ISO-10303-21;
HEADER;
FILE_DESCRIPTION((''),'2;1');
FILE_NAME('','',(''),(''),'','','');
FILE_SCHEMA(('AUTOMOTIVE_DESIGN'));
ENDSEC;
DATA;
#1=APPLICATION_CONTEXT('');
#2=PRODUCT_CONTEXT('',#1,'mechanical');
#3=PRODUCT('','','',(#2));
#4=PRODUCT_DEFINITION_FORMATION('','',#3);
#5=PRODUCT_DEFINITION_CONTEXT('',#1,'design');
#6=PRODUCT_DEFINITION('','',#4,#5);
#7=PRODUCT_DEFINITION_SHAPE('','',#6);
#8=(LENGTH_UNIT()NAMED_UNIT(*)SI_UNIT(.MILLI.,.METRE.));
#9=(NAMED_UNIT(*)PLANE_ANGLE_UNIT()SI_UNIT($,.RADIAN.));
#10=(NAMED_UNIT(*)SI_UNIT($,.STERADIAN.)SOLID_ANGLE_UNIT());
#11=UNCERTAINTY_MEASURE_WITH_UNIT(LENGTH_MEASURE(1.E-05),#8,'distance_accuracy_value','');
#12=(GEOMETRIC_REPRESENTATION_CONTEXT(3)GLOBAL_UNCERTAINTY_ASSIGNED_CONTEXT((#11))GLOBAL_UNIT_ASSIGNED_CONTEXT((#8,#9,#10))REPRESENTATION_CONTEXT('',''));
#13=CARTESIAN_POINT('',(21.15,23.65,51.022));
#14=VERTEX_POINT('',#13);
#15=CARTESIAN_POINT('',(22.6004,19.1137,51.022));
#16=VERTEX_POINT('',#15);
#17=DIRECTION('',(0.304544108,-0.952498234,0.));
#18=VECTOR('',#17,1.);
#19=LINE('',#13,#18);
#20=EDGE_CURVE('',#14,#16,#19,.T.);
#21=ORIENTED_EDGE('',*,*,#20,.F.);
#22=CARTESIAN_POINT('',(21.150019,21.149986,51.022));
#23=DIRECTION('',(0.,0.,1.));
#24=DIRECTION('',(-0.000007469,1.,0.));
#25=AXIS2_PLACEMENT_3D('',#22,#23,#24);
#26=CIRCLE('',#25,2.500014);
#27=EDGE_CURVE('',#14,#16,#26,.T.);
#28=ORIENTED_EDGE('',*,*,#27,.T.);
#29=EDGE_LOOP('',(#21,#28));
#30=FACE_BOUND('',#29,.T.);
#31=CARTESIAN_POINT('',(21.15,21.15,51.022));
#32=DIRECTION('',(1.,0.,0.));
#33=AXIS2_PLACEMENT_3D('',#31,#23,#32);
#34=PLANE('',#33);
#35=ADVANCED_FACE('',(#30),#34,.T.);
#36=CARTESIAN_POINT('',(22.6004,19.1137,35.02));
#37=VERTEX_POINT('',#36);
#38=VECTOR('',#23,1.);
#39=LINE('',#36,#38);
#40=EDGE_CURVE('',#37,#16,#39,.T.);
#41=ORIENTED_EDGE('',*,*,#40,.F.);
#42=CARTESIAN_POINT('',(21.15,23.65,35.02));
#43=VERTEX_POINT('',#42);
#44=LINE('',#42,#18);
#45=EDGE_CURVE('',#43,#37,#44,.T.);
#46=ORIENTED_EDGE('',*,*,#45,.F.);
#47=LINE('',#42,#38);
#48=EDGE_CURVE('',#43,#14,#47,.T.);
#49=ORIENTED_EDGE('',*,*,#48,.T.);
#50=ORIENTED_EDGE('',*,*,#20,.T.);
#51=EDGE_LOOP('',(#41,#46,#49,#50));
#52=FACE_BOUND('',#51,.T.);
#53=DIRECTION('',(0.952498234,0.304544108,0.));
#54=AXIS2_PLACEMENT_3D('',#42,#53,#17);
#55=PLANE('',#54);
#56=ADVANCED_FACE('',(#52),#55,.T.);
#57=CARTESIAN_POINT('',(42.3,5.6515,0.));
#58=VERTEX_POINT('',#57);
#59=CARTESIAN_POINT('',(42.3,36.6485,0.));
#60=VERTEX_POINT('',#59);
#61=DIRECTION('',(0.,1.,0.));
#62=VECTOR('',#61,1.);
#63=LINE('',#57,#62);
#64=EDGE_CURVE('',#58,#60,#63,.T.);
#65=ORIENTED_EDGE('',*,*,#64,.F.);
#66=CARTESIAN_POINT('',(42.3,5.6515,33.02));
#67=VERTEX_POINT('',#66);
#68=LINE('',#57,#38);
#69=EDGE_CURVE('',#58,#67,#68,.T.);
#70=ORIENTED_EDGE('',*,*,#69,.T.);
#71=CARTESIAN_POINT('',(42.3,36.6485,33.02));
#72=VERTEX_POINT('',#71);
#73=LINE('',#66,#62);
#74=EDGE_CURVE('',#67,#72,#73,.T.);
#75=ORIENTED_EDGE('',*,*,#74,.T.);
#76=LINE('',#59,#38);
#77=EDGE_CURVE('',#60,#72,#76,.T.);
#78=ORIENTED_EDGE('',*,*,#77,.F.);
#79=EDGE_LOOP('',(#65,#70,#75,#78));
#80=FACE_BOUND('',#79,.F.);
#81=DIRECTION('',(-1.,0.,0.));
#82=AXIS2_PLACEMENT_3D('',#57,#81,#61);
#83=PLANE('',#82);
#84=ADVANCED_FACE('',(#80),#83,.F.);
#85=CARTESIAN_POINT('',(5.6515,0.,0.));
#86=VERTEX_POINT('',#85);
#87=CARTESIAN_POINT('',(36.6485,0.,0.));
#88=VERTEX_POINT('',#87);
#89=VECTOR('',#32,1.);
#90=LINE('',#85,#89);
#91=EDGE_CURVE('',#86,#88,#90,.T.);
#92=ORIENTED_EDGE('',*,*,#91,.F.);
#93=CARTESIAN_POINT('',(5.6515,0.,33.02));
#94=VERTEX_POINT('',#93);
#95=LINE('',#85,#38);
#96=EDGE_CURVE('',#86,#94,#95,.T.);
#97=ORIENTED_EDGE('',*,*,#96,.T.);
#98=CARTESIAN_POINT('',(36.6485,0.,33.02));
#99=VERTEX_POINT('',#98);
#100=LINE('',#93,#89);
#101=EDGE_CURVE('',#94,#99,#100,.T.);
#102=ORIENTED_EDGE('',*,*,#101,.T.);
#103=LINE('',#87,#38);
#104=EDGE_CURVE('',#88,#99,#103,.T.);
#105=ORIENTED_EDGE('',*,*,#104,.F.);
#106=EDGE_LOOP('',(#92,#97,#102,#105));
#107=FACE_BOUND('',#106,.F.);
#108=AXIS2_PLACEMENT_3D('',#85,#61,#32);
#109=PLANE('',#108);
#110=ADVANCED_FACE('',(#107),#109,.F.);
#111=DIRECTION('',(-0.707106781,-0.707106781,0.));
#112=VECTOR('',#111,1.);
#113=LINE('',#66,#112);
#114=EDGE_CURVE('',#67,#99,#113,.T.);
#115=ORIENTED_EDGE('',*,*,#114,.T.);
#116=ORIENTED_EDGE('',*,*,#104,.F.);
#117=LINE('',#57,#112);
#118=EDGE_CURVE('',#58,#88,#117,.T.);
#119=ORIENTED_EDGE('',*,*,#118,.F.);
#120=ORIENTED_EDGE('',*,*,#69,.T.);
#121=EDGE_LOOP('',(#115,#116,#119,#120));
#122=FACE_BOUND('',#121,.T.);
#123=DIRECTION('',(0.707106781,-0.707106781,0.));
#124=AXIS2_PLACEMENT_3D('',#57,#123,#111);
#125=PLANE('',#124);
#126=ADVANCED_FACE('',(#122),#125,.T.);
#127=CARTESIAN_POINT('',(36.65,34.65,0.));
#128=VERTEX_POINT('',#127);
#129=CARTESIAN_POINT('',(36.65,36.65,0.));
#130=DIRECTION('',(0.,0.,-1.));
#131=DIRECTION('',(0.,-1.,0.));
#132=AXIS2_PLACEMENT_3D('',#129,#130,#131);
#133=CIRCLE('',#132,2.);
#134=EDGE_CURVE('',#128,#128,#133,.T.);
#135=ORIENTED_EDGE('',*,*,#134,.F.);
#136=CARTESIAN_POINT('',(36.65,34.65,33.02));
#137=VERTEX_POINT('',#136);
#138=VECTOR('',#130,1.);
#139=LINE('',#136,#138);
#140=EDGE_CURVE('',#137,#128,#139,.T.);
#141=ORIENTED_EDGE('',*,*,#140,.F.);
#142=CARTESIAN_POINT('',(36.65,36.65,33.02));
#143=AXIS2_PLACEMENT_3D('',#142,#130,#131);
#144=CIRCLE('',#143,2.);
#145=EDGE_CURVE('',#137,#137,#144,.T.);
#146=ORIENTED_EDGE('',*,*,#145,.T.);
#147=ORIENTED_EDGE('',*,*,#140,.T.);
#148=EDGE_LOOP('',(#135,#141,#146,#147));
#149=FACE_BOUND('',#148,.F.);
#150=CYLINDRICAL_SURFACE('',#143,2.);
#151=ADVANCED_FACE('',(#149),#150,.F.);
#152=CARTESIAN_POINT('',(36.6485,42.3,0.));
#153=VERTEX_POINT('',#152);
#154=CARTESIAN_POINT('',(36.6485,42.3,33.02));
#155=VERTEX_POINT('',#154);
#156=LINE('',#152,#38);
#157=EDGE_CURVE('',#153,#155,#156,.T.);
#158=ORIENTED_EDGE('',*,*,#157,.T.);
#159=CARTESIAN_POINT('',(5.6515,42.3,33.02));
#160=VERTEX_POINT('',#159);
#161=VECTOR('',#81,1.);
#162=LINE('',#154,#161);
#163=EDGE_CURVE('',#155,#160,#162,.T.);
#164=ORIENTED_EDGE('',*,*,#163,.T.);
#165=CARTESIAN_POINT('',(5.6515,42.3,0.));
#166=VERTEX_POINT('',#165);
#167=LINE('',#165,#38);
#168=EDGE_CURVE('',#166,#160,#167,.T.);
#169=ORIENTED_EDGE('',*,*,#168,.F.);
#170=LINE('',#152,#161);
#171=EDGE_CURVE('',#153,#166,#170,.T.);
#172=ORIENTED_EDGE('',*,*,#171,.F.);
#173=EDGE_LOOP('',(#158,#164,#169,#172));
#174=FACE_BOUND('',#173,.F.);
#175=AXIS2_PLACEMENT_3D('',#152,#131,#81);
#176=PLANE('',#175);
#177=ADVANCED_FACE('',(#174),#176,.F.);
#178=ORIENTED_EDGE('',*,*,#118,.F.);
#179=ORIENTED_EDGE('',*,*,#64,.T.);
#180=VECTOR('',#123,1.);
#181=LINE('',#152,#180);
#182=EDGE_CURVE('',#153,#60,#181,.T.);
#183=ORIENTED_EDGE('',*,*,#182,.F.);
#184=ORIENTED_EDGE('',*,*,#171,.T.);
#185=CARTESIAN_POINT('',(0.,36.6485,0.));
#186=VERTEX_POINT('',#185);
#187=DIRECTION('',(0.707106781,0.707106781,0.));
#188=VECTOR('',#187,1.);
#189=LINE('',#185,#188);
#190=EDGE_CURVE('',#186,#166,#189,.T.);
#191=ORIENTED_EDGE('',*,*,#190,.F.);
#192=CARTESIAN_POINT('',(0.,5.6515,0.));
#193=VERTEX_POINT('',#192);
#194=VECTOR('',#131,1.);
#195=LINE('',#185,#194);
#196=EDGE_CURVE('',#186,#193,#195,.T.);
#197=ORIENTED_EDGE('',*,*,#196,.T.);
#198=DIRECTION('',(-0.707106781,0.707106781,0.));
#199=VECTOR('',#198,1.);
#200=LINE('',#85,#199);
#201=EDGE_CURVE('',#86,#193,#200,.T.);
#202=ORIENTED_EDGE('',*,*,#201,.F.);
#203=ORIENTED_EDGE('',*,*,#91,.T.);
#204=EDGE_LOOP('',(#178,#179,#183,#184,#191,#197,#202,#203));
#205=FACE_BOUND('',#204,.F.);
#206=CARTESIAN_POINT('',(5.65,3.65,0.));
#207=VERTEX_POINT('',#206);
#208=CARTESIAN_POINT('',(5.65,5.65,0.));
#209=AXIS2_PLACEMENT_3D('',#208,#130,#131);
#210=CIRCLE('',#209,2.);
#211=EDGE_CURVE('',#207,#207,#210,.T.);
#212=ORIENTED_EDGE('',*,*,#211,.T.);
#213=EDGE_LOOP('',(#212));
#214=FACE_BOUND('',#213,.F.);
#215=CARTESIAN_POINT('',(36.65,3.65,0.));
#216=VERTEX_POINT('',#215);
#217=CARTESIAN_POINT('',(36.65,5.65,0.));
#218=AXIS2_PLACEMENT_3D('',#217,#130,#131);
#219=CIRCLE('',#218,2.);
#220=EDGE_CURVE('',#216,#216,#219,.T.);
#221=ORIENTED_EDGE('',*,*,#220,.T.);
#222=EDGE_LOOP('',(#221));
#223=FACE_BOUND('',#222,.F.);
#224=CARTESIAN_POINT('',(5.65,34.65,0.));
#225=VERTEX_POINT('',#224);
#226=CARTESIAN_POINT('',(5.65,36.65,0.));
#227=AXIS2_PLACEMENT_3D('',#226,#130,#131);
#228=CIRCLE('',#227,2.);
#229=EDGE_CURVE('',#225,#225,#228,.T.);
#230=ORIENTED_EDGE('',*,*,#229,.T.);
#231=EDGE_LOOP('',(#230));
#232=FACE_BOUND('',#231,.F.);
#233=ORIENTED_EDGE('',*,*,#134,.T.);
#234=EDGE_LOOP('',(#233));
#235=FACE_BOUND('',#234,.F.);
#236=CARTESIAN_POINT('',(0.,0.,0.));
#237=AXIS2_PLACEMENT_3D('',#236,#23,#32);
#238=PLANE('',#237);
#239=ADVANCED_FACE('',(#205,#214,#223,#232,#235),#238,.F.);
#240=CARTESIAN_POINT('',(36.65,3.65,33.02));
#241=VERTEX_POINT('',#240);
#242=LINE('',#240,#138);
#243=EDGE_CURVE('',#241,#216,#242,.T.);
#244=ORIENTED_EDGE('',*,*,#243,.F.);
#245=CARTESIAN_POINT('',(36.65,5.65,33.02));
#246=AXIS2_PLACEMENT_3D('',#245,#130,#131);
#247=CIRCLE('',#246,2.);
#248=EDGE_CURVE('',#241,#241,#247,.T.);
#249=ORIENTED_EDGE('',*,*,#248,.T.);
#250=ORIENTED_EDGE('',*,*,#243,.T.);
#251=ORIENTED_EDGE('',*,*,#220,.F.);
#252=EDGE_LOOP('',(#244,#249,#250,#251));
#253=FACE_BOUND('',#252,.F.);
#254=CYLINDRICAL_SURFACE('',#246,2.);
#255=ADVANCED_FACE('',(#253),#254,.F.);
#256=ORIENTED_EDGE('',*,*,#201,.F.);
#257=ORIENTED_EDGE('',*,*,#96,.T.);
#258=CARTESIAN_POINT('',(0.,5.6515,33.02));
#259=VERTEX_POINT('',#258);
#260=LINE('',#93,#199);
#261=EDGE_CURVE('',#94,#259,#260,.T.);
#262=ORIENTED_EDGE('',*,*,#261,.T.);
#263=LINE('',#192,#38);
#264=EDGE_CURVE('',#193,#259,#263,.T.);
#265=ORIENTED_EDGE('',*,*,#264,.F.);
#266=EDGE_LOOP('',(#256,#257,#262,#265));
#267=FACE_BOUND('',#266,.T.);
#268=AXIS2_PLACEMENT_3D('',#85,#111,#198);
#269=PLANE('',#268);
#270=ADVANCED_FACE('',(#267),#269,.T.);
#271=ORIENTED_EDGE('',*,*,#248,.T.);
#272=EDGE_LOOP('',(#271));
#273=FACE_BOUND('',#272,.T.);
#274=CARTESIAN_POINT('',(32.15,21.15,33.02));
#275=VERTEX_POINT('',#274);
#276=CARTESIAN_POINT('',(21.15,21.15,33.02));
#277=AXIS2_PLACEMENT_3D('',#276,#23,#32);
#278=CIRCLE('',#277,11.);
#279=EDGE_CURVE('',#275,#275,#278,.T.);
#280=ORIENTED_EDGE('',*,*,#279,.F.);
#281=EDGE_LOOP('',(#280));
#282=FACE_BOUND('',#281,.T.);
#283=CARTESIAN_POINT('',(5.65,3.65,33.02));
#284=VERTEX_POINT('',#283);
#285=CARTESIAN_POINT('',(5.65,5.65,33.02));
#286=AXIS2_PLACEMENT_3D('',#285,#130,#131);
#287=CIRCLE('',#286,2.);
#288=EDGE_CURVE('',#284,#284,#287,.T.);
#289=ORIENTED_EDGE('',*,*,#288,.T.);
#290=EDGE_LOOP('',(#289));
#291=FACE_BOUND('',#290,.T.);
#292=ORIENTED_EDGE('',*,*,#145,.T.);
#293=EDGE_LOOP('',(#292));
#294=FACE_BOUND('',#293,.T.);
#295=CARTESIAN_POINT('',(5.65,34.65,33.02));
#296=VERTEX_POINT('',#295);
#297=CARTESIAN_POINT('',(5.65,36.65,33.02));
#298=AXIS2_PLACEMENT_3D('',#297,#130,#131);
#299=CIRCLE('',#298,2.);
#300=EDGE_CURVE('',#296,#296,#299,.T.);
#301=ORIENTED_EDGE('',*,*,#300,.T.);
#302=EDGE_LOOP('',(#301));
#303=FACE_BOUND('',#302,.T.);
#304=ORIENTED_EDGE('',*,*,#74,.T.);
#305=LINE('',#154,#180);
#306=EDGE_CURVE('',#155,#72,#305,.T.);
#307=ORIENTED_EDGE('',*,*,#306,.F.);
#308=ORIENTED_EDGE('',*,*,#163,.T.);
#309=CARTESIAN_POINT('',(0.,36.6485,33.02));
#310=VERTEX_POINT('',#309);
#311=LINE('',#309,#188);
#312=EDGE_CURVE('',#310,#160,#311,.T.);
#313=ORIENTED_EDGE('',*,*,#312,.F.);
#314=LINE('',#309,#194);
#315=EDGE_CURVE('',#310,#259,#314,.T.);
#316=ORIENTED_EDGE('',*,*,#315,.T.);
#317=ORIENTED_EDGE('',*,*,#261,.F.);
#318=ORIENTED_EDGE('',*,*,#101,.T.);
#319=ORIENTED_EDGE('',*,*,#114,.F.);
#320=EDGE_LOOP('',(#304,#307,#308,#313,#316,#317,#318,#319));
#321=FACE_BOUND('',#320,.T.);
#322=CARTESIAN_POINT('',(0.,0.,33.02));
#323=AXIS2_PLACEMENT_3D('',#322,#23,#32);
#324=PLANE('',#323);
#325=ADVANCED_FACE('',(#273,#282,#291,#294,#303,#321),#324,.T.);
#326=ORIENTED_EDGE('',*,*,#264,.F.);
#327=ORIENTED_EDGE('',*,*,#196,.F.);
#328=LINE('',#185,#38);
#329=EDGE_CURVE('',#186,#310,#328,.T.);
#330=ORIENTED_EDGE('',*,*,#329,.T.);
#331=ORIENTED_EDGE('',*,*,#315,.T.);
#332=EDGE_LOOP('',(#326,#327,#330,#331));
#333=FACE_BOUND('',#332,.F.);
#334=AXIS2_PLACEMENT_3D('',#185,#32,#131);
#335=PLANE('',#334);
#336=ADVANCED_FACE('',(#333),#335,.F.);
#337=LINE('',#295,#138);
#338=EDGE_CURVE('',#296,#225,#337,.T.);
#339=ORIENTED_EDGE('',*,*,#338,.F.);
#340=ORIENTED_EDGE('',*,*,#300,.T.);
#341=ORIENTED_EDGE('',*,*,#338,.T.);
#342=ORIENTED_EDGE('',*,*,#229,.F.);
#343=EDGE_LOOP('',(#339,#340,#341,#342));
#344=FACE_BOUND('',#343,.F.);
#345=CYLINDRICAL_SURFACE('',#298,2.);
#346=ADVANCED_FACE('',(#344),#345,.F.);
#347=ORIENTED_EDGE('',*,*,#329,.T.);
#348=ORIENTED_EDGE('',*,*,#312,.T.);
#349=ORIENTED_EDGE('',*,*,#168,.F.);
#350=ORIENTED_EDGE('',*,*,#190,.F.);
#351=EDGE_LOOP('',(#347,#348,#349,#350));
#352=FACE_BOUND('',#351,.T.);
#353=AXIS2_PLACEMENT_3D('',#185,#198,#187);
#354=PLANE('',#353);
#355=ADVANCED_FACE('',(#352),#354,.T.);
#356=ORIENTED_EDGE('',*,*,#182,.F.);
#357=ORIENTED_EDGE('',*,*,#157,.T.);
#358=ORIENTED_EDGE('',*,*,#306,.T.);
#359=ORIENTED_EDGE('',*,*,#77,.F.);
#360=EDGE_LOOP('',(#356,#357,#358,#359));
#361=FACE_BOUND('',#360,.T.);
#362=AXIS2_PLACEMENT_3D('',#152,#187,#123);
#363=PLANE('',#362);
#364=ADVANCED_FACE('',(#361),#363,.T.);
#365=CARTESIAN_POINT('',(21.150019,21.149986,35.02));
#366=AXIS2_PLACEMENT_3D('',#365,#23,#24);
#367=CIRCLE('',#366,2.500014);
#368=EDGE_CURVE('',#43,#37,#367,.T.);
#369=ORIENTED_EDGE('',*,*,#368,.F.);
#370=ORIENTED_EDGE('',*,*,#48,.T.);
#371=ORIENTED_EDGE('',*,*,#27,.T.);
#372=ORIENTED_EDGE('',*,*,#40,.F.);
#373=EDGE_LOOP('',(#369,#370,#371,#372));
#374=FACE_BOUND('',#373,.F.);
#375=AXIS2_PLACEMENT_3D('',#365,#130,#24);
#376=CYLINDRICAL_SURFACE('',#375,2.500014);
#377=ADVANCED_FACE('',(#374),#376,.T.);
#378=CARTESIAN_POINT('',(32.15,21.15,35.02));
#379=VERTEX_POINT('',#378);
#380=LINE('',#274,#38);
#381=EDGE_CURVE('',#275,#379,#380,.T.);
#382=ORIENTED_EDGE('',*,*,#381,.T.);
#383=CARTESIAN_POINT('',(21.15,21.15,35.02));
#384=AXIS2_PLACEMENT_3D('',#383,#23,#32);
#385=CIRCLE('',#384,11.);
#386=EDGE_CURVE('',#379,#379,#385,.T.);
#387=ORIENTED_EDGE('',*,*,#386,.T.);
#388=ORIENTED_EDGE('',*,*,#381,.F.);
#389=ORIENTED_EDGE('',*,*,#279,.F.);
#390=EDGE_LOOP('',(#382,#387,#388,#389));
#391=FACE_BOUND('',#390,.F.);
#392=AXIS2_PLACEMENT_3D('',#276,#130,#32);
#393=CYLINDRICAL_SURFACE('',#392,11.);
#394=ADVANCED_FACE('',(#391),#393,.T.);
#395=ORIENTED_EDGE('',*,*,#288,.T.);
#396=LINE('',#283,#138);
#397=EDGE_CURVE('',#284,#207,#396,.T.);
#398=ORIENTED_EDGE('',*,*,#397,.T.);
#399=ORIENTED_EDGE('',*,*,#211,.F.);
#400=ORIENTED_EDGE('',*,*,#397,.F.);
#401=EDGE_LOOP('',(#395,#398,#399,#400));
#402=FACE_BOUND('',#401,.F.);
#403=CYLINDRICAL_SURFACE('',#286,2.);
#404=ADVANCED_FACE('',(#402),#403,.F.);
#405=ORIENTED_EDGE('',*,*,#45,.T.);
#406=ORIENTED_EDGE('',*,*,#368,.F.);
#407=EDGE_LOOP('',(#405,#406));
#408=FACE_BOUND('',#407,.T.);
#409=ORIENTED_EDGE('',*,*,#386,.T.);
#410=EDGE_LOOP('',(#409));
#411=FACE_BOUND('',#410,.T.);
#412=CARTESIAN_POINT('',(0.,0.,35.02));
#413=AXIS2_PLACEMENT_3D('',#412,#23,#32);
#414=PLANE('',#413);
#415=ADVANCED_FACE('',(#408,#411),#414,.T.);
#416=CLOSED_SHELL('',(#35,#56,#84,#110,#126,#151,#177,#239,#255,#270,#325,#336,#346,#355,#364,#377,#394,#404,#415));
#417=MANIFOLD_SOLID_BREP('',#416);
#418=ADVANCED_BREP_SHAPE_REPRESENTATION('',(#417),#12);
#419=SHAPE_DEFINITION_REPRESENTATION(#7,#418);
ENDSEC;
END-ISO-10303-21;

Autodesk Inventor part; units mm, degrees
ref_plane "YZ Plane" through (0, 0, 0) normal (1, 0, 0) x (0, 1, 0)
ref_plane "XZ Plane" through (0, 0, 0) normal (0, 1, 0) x (-1, 0, 0)
ref_plane "XY Plane" through (0, 0, 0) normal (0, 0, 1) x (1, 0, 0)
sketch "Sketch1" plane through (0, 0, 0) normal (0, 0, 1) x (1, 0, 0)
  line L0 (5.6515, 0) -> (36.6485, 0)
  line L1 (42.3, 5.6515) -> (42.3, 36.6485)
  line L2 (36.6485, 42.3) -> (5.6515, 42.3)
  line L3 (0, 36.6485) -> (0, 5.6515)
  line L4 (0, 36.6485) -> (5.6515, 42.3)
  line L5 (36.6485, 42.3) -> (42.3, 36.6485)
  line L6 (42.3, 5.6515) -> (36.6485, 0)
  line L7 (5.6515, 0) -> (0, 5.6515)
  line L8 (21.15, 42.3) -> (21.15, 0) construction
  line L9 (0, 21.9578) -> (42.3, 21.9578) construction
  point P0 (0, 0)
  point P1 (42.3, 42.3)
  point P2 (42.3, 0)
  point P3 (0, 42.3)
  dimension "d0" = 42.3
  dimension "d1" = 42.3
  dimension "d2" = 5.6515
  dimension "d3" = 5.6515
  dimension "d4" = 5.6515
  dimension "d5" = 5.6515
  dimension "d6" = 5.6515
  dimension "d7" = 5.6515
  dimension "d8" = 5.6515
  dimension "d9" = 5.6515
  dimension "d10" = 30.997
extrude "Extrusion1" add sketch "Sketch1" along normal blind 33.02
sketch "Sketch2" plane through (0, 0, 33.02) normal (0, 0, 1) x (1, 0, 0)
  line L0 (5.6515, 42.3) -> (36.6485, 42.3) projected
  line L1 (0, 5.6515) -> (0, 36.6485) projected
  line L2 (36.6485, 0) -> (5.6515, 0) projected
  line L3 (42.3, 36.6485) -> (42.3, 5.6515) projected
  line L4 (21.15, 42.3) -> (21.15, 0) construction
  line L5 (0, 21.15) -> (42.3, 21.15) construction
  circle A0 centre (21.15, 21.15) radius 11
  point P0 (0, 0)
  dimension "d13" = 22
extrude "Extrusion2" add sketch "Sketch2" along normal blind 2
sketch "Sketch3" plane through (21.15, 21.15, 35.02) normal (0, 0, 1) x (1, 0, 0)
  circle A0 centre (0, 0) radius 11 projected
  arc A1 (0, 2.5) -> (1.4504, -2.0363) centre (0, 0) ccw
  line L0 (0, 2.5) -> (1.4504, -2.0363)
  point P0 (-21.15, -21.15)
  dimension "d16" = 5
  dimension "d17" = 4.7625
extrude "Extrusion3" add sketch "Sketch3" along normal blind 16.002 contours L0 A1
sketch "Sketch4" plane through (0, 0, 33.02) normal (0, 0, 1) x (1, 0, 0)
  line L0 (0, 36.6485) -> (5.6515, 42.3) projected
  line L1 (5.6515, 0) -> (0, 5.6515) projected
  line L2 (42.3, 5.6515) -> (36.6485, 0) projected
  line L3 (36.6485, 42.3) -> (42.3, 36.6485) projected
  line L4 (2.8258, 39.4742) -> (39.4742, 2.8258) construction
  line L5 (39.4742, 39.4742) -> (2.8257, 2.8258) construction
  point P0 (0, 0)
  point P1 (5.65, 36.65)
  point P2 (36.65, 36.65)
  point P3 (5.65, 5.65)
  point P4 (36.65, 5.65)
  dimension "d20" = 31
  dimension "d21" = 31
  dimension "d22" = 31
  dimension "d23" = 31
hole "Hole1" at (5.65, 36.65, 33.02) at (36.65, 36.65, 33.02) at (5.65, 5.65, 33.02) at (36.65, 5.65, 33.02) direction (0, 0, -1) diameter 4 end through all
equation "\"d3\" = d2"
equation "\"d4\" = d2"
equation "\"d5\" = d4"
equation "\"d6\" = d2"
equation "\"d7\" = d6"
equation "\"d8\" = d2"
equation "\"d9\" = d8"
equation "\"d21\" = d20"
equation "\"d22\" = d20"
equation "\"d23\" = d20"
properties part number "stepper42BYGH007" material "Aluminum-6061"
